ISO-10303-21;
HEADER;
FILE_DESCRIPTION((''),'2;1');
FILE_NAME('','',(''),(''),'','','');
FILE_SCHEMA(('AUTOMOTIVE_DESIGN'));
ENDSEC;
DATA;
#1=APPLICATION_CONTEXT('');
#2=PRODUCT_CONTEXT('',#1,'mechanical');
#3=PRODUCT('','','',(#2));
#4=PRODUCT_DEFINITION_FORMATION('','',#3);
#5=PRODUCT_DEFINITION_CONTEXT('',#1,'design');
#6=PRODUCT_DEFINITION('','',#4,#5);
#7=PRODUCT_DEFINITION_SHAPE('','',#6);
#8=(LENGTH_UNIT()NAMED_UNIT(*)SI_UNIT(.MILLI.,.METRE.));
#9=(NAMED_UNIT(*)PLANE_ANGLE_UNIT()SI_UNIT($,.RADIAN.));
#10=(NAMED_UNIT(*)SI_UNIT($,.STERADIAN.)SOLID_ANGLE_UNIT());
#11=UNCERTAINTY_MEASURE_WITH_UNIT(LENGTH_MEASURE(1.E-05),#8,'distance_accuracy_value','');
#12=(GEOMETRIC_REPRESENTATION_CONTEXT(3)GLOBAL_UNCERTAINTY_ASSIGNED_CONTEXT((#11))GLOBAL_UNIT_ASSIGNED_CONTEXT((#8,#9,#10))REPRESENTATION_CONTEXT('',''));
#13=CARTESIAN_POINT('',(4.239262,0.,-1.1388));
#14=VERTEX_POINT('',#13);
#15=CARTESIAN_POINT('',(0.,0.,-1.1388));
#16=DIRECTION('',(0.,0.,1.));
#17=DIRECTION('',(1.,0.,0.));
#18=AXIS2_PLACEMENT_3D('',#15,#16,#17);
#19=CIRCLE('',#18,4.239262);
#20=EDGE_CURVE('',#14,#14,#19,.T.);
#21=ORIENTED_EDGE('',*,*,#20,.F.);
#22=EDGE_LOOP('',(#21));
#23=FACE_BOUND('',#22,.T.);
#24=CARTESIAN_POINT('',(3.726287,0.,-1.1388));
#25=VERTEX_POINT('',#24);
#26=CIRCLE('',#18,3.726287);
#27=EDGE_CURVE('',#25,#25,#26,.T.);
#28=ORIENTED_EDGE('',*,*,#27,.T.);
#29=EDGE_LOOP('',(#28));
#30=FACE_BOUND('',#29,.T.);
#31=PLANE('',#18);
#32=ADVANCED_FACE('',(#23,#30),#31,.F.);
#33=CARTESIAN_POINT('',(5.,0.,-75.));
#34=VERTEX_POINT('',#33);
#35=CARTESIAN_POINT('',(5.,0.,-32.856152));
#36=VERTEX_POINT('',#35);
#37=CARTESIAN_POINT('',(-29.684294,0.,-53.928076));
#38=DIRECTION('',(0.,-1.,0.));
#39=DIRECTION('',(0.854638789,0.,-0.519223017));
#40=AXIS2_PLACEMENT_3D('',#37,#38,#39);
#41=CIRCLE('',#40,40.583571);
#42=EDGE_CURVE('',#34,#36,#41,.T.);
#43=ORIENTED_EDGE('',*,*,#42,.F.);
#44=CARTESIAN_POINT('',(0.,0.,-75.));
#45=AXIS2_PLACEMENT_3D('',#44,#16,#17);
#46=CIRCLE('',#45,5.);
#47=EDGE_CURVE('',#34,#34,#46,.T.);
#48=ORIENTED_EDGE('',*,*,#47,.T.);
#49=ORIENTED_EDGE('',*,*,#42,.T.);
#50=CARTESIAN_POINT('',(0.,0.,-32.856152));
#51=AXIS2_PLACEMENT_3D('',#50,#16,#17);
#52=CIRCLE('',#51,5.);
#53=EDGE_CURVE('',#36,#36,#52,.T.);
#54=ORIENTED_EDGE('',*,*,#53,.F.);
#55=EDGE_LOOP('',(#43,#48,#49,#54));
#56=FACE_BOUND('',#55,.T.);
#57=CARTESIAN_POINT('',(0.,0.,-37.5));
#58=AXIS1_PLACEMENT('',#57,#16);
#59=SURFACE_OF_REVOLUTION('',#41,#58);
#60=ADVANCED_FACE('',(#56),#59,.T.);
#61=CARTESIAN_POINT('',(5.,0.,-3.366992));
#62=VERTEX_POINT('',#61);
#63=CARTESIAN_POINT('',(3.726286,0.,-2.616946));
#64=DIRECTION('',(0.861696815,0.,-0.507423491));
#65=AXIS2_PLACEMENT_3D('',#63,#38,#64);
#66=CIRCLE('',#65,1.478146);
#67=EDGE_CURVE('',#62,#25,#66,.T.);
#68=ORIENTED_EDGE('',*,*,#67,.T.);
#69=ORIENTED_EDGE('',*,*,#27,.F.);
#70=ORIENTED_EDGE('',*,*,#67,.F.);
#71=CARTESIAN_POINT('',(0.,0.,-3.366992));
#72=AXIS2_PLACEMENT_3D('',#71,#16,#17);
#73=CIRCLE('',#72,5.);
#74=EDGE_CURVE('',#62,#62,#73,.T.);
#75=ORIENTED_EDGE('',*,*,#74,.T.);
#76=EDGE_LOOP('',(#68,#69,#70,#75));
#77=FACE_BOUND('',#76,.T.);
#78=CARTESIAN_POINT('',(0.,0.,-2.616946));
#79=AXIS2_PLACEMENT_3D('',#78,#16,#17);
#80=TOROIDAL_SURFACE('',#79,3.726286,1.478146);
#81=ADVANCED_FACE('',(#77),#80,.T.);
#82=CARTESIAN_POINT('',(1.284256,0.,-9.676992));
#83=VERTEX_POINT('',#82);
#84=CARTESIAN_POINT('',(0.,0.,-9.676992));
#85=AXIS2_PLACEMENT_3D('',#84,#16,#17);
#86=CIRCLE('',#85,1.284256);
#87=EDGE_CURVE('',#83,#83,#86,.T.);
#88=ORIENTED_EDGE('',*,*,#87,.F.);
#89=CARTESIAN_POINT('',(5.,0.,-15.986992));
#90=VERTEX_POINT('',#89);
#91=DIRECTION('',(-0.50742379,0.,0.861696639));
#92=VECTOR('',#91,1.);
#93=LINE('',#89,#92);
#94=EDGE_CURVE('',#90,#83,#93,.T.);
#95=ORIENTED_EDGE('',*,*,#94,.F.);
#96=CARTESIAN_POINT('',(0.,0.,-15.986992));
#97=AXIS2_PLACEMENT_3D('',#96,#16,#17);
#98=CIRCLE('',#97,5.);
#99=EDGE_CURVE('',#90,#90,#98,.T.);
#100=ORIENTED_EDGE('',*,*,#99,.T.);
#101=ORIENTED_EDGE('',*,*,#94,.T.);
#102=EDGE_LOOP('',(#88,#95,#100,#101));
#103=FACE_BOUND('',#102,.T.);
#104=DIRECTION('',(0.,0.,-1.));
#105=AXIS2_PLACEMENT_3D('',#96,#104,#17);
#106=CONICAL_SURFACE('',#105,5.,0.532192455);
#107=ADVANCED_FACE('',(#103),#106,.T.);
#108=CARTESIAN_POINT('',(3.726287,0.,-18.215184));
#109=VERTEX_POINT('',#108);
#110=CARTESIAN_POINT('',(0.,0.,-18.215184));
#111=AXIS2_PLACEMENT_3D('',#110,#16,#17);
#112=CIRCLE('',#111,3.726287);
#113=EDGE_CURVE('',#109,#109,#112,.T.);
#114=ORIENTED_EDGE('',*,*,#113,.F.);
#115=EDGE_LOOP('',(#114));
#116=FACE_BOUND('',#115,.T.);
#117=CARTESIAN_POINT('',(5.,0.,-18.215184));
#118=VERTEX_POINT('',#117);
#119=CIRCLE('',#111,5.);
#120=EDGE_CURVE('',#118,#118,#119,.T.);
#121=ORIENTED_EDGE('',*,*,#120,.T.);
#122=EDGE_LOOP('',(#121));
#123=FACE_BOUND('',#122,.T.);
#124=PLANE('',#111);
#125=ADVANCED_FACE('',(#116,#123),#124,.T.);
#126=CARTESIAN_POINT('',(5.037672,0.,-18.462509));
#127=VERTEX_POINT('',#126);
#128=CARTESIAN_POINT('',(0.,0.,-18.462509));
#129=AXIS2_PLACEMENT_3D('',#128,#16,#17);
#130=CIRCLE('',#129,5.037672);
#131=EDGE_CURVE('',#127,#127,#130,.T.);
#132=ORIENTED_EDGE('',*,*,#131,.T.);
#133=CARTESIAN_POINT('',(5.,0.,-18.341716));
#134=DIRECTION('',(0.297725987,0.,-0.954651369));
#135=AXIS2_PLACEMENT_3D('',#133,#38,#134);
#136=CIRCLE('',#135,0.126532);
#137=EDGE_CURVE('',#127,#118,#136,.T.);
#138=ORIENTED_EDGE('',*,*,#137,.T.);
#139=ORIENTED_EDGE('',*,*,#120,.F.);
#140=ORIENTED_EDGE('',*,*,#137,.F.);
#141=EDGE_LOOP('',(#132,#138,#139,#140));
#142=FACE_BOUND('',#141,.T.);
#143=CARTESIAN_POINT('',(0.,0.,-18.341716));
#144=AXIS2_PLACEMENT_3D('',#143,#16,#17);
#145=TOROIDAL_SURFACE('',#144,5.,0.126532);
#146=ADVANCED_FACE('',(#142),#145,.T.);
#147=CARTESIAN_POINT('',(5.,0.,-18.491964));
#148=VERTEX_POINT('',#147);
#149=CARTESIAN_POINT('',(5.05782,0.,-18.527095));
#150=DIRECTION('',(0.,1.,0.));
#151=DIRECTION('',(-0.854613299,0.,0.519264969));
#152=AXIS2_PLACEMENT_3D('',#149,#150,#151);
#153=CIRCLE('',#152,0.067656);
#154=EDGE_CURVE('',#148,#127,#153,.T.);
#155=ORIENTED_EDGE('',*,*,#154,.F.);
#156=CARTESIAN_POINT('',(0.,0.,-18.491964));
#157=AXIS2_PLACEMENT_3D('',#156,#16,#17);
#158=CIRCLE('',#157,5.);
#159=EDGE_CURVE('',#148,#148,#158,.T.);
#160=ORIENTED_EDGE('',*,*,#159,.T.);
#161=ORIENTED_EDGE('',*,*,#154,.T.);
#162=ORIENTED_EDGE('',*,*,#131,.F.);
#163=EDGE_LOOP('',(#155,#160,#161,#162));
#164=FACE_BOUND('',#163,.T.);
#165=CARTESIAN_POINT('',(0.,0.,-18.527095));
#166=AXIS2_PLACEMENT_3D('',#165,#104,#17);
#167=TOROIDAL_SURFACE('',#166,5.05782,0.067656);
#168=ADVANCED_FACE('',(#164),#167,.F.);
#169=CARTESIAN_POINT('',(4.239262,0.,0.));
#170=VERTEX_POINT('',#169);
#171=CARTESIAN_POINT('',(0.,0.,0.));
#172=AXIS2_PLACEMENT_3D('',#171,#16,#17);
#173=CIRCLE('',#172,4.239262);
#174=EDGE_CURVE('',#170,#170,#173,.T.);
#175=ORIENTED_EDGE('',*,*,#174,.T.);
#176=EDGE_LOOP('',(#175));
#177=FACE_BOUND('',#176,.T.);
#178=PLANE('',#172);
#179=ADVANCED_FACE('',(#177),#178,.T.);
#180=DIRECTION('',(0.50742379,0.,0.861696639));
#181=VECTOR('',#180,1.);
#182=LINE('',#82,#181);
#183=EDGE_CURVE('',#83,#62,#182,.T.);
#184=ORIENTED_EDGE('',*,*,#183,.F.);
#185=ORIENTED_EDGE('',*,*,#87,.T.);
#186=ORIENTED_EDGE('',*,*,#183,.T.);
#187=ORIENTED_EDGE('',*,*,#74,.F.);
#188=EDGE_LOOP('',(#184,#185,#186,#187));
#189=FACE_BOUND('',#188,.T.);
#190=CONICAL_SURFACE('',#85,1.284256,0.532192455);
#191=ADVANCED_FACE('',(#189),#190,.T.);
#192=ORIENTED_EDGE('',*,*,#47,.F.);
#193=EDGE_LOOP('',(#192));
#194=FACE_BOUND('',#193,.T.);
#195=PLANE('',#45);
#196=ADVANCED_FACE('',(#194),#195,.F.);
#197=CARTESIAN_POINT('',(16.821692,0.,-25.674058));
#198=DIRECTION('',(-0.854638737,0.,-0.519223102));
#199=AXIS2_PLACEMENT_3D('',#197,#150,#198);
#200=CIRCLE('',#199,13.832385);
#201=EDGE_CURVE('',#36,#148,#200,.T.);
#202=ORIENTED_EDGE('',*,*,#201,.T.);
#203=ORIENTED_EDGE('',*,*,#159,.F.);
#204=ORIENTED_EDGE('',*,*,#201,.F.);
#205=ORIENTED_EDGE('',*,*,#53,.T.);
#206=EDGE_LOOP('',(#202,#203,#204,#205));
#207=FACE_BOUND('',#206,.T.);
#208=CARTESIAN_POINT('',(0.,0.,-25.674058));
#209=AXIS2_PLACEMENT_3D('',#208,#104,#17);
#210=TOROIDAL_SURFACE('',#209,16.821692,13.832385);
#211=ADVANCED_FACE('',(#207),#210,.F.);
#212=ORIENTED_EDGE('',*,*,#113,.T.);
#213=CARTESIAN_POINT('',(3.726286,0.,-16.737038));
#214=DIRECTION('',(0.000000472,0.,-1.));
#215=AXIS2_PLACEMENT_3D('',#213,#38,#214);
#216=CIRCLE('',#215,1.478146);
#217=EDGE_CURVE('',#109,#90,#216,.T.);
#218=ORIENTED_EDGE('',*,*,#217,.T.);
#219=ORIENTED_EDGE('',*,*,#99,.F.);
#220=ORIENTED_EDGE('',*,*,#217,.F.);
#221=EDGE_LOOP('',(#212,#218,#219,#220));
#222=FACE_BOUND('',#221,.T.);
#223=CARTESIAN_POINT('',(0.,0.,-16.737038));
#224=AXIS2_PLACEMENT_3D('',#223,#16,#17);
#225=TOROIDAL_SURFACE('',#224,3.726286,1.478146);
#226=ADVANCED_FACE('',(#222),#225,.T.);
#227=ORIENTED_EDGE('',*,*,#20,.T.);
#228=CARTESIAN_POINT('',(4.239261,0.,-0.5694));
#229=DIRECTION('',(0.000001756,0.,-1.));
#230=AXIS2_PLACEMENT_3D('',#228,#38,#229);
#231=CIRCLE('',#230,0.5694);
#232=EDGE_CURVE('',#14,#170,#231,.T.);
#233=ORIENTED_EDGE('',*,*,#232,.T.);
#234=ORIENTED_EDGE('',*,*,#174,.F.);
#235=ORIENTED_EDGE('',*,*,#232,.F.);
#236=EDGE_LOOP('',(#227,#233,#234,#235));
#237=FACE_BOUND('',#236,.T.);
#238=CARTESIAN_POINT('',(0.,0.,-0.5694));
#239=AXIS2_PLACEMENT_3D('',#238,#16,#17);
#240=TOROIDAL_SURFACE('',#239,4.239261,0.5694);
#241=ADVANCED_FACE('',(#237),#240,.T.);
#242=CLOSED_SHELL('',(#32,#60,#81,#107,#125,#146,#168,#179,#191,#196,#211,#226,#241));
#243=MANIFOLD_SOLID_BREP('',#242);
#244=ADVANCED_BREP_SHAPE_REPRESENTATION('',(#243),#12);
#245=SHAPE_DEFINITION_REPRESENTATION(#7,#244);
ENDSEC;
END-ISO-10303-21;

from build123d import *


with BuildPart() as f1:
    # F0 (on Front) → F1 (revolve)
    with BuildSketch(Plane.XZ):
        with BuildLine():
            Line((0, -75), (5, -75))
            ThreePointArc((5, -75), (10.899277, -53.928076), (5, -32.856152))
            ThreePointArc((5, -32.856152), (2.989307, -25.674058), (5, -18.491964))
            ThreePointArc((5, -18.491964), (5.016147, -18.473797), (5.037672, -18.462509))
            ThreePointArc((5.037672, -18.462509), (5.125089, -18.322662), (5, -18.215184))
            Line((5, -18.215184), (3.726287, -18.215184))
            ThreePointArc((3.726287, -18.215184), (5.009562, -17.470604), (5, -15.986992))
            Line((5, -15.986992), (1.284256, -9.676992))
            Line((1.284256, -9.676992), (5, -3.366992))
            ThreePointArc((5, -3.366992), (5.009562, -1.88338), (3.726287, -1.1388))
            Line((3.726287, -1.1388), (4.239262, -1.1388))
            ThreePointArc((4.239262, -1.1388), (4.808661, -0.5694), (4.239262, 0))
            Line((4.239262, 0), (0, 0))
            Line((0, 0), (0, -75))
        make_face()
    revolve(axis=Axis((0, 0, -37.5), (0, 0, 1)))


solid = f1.part
